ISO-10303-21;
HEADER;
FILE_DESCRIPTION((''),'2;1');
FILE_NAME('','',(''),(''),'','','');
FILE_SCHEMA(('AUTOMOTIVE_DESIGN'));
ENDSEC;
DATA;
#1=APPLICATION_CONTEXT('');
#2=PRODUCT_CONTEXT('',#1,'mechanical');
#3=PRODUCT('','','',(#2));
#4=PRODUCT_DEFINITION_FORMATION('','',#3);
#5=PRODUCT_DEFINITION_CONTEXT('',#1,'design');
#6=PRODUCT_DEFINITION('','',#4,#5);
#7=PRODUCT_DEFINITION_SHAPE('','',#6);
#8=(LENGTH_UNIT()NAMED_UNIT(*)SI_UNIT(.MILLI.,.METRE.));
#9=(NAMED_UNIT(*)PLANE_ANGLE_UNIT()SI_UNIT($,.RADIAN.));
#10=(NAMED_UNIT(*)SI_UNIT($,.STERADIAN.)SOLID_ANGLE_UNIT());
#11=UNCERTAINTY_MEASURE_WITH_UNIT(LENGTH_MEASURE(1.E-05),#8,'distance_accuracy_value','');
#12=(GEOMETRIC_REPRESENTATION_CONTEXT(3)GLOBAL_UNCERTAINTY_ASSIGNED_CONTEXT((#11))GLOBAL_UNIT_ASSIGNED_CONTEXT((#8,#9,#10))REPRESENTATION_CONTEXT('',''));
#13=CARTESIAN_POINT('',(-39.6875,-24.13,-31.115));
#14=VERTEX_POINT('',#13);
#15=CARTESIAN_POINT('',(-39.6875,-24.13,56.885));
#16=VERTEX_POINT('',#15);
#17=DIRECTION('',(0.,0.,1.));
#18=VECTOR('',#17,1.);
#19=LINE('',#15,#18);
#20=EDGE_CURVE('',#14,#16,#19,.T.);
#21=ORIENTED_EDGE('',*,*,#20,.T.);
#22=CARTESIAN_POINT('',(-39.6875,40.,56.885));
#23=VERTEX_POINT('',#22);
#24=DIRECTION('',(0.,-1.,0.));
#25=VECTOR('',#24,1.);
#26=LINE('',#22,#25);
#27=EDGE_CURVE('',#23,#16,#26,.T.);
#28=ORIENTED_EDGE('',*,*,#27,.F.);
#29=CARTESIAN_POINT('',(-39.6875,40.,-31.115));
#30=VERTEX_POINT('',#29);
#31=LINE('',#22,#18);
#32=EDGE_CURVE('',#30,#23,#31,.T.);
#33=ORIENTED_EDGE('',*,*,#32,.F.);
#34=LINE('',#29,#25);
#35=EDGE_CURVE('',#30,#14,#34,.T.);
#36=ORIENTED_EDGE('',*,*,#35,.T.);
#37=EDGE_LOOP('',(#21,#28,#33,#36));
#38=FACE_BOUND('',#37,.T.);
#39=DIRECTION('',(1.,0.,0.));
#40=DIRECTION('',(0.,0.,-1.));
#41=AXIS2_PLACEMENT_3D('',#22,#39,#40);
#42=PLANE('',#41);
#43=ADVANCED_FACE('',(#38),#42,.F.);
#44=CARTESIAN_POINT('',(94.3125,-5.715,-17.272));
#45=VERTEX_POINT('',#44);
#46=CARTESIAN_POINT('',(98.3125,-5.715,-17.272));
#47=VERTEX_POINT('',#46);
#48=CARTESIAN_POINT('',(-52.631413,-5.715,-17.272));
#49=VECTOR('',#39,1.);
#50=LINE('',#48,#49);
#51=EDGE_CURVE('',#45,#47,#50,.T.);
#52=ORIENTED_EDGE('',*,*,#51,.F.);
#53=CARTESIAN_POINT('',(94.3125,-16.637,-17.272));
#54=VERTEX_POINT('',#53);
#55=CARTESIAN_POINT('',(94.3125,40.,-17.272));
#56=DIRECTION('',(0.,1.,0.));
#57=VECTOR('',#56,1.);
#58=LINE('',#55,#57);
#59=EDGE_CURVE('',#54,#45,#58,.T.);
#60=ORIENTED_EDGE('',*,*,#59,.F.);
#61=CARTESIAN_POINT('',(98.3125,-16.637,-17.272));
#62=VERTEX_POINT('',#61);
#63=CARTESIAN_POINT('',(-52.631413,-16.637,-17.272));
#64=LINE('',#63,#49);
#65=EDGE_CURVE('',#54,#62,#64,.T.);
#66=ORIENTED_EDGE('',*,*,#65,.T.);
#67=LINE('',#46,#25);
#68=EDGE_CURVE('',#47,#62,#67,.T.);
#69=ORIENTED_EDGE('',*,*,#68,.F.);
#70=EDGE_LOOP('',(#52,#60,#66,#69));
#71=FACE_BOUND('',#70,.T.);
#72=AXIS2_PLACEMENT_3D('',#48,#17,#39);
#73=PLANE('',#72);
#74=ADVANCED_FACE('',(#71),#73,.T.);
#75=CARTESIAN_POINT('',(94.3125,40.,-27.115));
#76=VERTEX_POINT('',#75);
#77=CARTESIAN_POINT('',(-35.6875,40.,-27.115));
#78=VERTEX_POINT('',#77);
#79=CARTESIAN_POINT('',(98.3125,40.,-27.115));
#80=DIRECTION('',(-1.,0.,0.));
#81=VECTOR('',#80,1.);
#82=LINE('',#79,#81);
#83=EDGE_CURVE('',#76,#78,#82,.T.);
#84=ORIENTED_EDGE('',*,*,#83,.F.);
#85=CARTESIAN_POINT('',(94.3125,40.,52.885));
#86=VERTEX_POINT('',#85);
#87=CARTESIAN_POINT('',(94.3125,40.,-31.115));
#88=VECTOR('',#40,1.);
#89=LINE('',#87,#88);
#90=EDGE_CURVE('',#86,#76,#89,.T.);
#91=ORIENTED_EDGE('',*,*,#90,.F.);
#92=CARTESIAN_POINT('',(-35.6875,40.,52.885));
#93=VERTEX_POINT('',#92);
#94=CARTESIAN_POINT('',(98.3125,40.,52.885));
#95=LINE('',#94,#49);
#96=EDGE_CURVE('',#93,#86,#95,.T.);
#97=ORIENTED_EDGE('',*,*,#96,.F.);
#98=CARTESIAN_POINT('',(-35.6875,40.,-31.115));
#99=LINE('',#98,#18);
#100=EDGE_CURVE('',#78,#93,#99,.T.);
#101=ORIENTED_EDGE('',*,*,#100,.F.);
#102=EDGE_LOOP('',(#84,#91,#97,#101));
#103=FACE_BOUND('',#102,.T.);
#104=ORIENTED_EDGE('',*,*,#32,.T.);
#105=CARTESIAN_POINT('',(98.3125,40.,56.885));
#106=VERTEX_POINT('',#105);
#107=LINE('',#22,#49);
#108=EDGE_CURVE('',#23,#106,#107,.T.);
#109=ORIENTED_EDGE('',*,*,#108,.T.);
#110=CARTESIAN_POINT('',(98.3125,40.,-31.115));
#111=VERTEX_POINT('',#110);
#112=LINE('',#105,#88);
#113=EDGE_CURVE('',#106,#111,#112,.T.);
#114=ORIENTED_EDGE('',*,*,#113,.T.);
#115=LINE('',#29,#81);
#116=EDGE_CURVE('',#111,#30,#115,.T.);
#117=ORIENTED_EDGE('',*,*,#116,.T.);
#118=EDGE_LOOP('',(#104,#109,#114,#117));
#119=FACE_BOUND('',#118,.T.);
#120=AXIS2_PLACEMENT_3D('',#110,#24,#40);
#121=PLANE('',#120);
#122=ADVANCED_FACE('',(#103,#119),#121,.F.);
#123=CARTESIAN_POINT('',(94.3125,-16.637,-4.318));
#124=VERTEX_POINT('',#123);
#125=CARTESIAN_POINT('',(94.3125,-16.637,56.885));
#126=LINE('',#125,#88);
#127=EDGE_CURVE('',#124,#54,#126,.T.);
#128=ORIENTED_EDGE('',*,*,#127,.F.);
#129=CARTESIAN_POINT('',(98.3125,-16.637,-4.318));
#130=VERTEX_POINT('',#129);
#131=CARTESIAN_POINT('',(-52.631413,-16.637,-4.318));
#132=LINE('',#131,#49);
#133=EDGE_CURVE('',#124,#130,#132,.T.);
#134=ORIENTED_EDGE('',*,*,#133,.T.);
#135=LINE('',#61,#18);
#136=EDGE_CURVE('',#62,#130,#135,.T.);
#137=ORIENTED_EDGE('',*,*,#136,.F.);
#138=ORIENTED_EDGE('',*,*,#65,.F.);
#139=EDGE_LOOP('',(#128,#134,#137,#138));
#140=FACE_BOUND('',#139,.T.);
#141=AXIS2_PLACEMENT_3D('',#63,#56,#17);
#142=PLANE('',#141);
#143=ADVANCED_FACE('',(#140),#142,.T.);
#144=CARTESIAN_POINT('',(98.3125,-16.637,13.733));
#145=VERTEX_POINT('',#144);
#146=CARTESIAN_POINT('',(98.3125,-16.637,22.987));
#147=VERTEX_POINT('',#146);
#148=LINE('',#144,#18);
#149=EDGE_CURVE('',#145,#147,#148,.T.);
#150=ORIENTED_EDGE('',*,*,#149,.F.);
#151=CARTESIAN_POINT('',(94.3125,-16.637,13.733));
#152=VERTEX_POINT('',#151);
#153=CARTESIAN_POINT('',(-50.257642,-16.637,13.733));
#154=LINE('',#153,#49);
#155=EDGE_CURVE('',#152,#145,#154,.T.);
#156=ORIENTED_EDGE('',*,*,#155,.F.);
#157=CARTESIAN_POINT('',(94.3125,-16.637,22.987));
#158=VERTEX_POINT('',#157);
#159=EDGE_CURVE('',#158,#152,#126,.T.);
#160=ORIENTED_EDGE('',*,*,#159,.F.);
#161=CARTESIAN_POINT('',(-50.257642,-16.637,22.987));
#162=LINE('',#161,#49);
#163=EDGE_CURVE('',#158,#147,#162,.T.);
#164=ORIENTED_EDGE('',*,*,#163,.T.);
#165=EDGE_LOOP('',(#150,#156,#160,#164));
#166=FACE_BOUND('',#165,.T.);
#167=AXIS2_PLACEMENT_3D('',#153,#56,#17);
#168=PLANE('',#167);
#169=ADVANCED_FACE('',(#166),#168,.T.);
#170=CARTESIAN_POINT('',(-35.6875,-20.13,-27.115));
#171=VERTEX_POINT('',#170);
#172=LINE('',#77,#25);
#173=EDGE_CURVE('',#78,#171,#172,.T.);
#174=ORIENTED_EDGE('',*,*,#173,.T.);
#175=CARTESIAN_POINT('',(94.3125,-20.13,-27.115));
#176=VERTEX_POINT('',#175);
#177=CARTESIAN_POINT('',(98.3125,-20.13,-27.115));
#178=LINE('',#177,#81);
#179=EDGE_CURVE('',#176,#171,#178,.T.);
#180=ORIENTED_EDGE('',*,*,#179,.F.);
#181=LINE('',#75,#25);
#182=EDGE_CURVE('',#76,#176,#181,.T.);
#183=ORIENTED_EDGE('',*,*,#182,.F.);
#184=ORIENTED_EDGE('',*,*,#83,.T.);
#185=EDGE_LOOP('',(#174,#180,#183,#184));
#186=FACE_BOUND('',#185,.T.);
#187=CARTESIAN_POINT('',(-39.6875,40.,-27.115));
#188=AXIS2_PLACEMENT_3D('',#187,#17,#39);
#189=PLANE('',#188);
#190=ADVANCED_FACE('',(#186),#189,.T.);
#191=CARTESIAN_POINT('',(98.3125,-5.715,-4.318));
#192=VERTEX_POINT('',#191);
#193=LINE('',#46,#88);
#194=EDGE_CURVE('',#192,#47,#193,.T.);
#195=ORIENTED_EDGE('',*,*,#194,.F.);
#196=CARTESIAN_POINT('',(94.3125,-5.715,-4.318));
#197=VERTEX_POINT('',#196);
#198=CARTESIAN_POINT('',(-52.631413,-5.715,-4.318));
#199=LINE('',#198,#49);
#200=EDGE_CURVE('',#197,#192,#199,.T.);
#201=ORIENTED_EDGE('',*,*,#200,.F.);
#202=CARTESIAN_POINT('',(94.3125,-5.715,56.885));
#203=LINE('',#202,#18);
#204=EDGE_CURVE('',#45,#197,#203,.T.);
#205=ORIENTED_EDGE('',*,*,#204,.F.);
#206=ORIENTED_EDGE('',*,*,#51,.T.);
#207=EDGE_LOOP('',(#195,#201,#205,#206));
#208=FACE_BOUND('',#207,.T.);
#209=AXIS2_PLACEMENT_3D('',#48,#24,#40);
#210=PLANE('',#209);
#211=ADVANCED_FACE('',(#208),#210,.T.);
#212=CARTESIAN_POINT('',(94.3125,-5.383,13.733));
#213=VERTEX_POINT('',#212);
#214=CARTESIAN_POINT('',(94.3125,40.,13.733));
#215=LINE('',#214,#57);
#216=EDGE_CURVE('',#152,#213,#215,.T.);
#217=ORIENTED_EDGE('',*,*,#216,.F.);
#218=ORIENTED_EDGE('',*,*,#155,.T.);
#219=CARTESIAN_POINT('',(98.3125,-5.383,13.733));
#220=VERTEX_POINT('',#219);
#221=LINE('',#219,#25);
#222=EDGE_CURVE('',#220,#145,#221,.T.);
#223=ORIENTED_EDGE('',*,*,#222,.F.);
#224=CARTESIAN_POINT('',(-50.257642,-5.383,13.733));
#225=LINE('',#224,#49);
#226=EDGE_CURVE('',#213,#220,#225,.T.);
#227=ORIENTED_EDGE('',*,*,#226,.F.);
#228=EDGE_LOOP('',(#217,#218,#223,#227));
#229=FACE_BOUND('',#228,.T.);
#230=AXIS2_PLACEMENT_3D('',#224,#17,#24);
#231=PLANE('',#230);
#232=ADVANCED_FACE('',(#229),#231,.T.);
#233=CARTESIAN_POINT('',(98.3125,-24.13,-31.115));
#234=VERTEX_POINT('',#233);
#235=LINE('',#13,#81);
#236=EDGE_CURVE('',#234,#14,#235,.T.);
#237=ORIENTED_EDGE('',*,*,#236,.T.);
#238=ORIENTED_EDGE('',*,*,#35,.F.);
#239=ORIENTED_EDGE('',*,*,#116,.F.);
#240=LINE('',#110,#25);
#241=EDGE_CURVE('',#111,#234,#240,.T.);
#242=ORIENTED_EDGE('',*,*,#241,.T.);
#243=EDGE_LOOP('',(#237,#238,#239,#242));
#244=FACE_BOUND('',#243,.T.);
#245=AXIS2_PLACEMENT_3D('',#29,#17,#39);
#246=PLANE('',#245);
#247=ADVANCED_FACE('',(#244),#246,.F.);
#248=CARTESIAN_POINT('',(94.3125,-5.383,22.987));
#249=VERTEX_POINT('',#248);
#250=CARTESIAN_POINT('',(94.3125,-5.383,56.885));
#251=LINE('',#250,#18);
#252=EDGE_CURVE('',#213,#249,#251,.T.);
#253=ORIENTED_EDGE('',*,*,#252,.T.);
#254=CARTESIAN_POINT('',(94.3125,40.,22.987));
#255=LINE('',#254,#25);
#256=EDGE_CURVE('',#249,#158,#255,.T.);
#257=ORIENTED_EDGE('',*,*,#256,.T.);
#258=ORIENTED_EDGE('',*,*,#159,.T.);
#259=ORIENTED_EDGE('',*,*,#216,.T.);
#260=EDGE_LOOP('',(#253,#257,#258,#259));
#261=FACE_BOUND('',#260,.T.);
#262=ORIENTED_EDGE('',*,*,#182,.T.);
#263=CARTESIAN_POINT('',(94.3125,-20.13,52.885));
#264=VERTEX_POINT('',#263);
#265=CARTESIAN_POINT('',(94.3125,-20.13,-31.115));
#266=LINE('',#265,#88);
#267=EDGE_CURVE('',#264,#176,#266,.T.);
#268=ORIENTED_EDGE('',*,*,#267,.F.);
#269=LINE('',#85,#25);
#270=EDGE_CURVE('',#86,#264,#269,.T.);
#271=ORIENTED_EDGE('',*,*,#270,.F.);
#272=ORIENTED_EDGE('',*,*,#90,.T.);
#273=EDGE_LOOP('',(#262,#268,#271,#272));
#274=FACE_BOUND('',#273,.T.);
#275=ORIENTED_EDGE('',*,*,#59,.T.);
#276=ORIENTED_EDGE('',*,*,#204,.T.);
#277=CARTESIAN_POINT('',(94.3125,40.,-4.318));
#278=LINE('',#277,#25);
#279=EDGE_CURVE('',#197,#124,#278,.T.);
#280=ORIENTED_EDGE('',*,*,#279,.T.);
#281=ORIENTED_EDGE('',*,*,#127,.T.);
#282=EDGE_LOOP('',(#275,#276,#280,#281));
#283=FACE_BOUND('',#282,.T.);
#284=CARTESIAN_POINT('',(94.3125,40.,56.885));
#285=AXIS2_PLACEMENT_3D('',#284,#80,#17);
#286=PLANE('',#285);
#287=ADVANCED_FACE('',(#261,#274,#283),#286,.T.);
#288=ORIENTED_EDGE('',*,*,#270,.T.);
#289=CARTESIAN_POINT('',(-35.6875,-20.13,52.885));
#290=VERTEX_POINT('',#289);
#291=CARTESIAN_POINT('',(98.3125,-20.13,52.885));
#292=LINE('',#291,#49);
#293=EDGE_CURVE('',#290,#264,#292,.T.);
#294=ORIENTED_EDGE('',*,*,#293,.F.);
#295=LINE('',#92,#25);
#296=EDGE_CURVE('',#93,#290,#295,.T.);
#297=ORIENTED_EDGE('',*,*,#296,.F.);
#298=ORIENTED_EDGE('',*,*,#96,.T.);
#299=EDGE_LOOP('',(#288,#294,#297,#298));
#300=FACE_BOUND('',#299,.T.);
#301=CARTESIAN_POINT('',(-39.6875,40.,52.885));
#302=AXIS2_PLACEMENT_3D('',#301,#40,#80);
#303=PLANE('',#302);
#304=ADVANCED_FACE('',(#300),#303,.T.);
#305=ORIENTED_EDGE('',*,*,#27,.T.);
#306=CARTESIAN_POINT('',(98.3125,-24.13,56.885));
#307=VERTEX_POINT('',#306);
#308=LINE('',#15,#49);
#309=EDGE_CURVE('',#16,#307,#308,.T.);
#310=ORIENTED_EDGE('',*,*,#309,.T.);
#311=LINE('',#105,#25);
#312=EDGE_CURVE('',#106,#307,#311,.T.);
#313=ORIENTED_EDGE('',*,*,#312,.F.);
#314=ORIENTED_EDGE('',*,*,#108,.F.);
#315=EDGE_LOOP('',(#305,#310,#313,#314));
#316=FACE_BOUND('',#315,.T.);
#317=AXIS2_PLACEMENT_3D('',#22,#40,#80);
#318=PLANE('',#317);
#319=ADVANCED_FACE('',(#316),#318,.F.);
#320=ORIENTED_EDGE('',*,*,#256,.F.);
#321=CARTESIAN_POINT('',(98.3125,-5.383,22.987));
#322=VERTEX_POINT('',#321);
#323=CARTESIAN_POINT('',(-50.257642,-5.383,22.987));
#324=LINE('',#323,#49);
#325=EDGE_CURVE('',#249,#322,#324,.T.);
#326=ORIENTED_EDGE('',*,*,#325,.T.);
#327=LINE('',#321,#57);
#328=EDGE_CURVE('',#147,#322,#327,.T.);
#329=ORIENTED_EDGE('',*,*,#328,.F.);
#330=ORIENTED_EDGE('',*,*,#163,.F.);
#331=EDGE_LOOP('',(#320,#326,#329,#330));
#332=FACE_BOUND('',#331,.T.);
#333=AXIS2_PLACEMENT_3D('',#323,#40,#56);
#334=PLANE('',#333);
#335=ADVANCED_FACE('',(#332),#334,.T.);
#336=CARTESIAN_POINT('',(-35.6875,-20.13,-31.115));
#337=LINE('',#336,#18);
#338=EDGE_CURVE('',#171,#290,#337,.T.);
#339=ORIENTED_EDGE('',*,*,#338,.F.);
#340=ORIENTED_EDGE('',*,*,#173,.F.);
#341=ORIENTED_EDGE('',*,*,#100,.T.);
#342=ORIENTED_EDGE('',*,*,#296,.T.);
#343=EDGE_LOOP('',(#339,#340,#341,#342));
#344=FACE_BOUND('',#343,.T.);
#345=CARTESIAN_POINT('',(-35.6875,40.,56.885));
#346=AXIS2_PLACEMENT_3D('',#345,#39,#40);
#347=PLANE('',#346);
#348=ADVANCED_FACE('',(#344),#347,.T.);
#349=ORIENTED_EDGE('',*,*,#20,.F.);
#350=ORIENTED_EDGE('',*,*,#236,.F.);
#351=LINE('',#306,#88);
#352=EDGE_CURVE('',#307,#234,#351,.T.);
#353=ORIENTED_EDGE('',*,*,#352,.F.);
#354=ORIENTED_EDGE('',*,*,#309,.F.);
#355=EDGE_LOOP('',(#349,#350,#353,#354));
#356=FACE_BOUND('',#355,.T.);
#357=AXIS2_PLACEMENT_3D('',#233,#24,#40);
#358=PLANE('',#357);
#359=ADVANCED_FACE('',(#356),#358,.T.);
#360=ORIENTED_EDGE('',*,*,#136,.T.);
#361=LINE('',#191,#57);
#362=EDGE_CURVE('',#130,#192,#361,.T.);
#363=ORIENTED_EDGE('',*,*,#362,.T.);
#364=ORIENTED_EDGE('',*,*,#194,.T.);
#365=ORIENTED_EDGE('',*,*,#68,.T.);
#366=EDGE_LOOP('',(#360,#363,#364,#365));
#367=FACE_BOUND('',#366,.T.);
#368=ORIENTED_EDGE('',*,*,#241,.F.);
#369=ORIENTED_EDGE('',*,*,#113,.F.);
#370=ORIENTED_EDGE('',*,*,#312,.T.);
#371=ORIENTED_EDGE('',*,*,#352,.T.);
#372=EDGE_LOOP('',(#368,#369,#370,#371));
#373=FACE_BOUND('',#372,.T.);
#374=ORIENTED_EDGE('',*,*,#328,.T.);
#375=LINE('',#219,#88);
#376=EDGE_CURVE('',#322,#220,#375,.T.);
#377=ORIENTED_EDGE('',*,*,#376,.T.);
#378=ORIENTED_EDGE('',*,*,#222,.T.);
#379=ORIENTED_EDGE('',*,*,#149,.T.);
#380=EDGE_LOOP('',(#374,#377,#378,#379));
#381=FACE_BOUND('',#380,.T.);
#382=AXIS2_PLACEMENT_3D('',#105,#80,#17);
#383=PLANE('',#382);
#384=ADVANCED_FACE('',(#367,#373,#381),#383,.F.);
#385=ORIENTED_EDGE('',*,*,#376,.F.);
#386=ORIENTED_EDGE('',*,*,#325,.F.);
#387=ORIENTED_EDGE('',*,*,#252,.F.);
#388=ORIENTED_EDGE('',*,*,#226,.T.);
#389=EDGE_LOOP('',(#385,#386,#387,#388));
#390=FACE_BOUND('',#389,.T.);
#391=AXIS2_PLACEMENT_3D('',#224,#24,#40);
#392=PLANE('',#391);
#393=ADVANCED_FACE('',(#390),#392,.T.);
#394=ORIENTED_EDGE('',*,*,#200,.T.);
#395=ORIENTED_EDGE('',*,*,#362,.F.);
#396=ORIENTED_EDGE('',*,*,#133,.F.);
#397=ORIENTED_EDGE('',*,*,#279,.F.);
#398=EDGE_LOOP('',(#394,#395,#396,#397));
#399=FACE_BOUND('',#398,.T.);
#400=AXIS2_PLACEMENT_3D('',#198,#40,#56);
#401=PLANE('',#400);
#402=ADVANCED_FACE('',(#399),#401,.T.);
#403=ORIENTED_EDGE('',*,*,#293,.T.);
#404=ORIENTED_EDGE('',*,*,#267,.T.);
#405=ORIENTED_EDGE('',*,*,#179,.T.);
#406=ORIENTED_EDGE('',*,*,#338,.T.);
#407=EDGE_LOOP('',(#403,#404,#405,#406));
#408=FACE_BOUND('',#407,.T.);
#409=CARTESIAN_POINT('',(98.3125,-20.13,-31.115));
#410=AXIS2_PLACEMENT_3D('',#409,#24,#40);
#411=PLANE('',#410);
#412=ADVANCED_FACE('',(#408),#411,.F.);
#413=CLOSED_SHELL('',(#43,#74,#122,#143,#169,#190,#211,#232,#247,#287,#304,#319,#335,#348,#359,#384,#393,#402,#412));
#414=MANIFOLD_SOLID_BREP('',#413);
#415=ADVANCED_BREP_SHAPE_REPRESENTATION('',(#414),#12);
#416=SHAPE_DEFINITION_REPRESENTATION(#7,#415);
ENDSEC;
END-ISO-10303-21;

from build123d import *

# Parameters (mm, degrees)
BOSS_EXTRUDE1_DEPTH      = 40
BOSS_EXTRUDE1_DEPTH_BACK = 24.13
SKETCH1_W                = 138
SKETCH1_H                = 88
SHELL1_T                 = -4
SKETCH10_W               = 12.954
SKETCH10_H               = 10.922
CUT_EXTRUDE1_DEPTH       = 4
SKETCH12_W               = 9.254
SKETCH12_H               = 11.254
CUT_EXTRUDE2_DEPTH       = 4


with BuildPart() as part:
    # Sketch1 → Boss-Extrude1 (new, two sides: drawn at the far end of the back side and taken through both)
    with BuildSketch(Plane(origin=(0, 0, 0), x_dir=(1, 0, 0), z_dir=(0, 1, 0)).offset(-BOSS_EXTRUDE1_DEPTH_BACK)):
        with Locations((29.3125, -12.885)):
            Rectangle(SKETCH1_W, SKETCH1_H)
    extrude(amount=BOSS_EXTRUDE1_DEPTH + BOSS_EXTRUDE1_DEPTH_BACK)

    # Shell1
    shell1_openings = [part.faces().sort_by_distance(p)[0] for p in [
        (29.3125, 40, 12.885),
    ]]
    offset(amount=SHELL1_T, openings=shell1_openings, kind=Kind.INTERSECTION)

    # Sketch10 → Cut-Extrude1 (cut)
    with BuildSketch(Plane.ZY.offset(-98.3125)):
        with Locations((-10.795, -11.176)):
            Rectangle(SKETCH10_W, SKETCH10_H)
    extrude(amount=CUT_EXTRUDE1_DEPTH, mode=Mode.SUBTRACT)

    # Sketch12 → Cut-Extrude2 (cut)
    with BuildSketch(Plane.ZY.offset(-98.3125)):
        with Locations((18.36, -11.01)):
            Rectangle(SKETCH12_W, SKETCH12_H)
    extrude(amount=CUT_EXTRUDE2_DEPTH, mode=Mode.SUBTRACT)


solid = part.part
